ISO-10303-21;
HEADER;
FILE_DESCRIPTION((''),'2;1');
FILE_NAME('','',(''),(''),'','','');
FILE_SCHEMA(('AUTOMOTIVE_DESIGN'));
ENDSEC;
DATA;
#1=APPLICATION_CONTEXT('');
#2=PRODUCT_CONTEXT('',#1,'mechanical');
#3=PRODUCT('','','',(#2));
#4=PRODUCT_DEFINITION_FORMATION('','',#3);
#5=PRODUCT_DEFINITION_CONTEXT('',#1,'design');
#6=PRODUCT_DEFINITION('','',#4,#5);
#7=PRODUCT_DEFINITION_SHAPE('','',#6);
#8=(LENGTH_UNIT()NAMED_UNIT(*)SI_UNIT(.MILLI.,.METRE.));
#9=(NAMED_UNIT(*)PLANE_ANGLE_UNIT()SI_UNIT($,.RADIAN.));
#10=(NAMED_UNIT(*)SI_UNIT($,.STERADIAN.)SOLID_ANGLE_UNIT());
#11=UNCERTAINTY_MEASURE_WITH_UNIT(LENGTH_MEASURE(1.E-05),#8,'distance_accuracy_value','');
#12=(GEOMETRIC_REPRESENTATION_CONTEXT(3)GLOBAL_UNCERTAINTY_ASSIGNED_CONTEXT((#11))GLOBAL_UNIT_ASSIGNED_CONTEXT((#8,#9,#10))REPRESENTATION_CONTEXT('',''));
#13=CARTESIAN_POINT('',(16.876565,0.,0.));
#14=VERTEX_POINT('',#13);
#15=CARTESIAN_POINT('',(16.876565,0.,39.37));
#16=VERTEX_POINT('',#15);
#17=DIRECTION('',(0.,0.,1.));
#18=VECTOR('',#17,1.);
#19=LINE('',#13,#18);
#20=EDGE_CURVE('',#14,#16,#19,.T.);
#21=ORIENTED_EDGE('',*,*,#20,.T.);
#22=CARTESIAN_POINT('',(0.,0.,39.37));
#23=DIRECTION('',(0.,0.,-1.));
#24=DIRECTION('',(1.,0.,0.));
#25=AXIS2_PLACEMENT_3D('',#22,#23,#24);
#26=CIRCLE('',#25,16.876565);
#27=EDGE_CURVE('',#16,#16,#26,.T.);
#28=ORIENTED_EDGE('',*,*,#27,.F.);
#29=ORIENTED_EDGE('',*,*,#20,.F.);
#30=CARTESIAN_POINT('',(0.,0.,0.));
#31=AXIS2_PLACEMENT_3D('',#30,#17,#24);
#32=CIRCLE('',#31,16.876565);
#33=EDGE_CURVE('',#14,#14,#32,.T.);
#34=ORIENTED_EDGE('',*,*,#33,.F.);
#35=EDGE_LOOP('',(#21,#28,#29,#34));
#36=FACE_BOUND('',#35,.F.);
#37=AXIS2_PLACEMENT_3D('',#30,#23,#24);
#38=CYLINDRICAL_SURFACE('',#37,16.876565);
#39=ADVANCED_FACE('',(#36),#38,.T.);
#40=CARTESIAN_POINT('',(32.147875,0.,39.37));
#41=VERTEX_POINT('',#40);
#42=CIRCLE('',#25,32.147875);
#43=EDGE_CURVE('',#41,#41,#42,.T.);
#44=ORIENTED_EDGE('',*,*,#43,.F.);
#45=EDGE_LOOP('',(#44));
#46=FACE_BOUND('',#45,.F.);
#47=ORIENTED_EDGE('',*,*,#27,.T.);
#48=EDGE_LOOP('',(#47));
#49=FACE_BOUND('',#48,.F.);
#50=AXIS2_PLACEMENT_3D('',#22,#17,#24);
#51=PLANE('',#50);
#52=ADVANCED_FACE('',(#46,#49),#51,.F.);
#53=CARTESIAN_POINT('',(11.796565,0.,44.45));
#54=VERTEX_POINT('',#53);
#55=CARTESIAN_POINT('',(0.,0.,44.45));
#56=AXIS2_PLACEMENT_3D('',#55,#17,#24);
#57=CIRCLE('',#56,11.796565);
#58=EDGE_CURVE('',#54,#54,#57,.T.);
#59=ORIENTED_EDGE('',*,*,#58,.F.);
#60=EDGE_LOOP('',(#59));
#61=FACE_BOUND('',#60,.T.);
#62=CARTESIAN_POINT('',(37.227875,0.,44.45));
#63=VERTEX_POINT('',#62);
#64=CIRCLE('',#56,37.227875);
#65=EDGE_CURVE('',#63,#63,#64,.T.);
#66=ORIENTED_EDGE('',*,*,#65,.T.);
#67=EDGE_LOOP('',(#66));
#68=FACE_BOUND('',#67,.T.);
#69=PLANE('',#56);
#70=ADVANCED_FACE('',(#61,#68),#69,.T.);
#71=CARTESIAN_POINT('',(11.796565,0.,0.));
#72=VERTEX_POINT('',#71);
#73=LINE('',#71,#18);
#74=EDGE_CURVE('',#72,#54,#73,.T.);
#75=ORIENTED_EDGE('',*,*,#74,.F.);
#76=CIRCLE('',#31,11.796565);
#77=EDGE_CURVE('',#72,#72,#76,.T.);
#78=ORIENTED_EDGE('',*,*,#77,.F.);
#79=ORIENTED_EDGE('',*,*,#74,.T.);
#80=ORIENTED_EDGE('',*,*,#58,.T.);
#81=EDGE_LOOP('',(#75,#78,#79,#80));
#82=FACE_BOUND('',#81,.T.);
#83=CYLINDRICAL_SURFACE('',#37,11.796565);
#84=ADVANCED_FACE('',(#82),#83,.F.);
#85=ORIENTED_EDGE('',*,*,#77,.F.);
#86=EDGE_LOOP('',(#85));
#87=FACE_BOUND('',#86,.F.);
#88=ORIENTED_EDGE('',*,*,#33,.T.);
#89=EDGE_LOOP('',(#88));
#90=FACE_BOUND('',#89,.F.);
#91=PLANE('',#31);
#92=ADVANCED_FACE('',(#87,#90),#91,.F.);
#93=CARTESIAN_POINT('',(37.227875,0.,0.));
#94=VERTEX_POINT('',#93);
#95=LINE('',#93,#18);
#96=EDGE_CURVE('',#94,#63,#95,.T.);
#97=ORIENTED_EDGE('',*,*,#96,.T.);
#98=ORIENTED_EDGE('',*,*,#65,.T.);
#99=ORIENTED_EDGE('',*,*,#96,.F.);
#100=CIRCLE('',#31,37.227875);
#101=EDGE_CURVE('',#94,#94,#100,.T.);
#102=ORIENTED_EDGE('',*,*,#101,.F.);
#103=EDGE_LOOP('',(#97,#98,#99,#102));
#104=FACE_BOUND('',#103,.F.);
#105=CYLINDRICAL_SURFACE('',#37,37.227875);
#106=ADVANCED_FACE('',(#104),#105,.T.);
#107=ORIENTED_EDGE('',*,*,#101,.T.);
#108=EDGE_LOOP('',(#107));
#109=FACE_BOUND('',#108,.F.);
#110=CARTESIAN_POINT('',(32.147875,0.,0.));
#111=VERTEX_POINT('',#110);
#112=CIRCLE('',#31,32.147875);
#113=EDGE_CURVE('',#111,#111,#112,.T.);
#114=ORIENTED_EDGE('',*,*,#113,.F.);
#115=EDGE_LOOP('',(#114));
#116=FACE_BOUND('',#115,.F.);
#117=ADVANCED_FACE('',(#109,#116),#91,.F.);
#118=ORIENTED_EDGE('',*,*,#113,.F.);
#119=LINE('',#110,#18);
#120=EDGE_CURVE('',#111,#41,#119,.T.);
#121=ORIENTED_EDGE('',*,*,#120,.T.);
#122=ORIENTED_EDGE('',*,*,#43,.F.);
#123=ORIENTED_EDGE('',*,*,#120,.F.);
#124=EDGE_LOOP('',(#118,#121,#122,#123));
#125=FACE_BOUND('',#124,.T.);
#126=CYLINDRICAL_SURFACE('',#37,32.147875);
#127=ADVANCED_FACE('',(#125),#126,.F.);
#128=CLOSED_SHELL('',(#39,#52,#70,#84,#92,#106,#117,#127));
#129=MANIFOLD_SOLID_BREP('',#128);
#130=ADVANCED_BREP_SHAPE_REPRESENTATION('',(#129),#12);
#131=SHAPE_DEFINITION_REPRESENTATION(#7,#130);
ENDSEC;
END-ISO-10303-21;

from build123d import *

# Parameters (mm, degrees)
F0_R     = 37.227875
F0_R_2   = 11.796565
F1_DEPTH = 44.45
F2_T     = -5.08


with BuildPart() as f1:
    # F0 (on Top) → F1 (new body)
    with BuildSketch(Plane.XY):
        Circle(F0_R)
        Circle(F0_R_2, mode=Mode.SUBTRACT)
    extrude(amount=F1_DEPTH)

    # F2
    f2_openings = [f1.faces().sort_by_distance(p)[0] for p in [
        (-36.174912, 0, 0),
    ]]
    offset(amount=F2_T, openings=f2_openings)


solid = f1.part
